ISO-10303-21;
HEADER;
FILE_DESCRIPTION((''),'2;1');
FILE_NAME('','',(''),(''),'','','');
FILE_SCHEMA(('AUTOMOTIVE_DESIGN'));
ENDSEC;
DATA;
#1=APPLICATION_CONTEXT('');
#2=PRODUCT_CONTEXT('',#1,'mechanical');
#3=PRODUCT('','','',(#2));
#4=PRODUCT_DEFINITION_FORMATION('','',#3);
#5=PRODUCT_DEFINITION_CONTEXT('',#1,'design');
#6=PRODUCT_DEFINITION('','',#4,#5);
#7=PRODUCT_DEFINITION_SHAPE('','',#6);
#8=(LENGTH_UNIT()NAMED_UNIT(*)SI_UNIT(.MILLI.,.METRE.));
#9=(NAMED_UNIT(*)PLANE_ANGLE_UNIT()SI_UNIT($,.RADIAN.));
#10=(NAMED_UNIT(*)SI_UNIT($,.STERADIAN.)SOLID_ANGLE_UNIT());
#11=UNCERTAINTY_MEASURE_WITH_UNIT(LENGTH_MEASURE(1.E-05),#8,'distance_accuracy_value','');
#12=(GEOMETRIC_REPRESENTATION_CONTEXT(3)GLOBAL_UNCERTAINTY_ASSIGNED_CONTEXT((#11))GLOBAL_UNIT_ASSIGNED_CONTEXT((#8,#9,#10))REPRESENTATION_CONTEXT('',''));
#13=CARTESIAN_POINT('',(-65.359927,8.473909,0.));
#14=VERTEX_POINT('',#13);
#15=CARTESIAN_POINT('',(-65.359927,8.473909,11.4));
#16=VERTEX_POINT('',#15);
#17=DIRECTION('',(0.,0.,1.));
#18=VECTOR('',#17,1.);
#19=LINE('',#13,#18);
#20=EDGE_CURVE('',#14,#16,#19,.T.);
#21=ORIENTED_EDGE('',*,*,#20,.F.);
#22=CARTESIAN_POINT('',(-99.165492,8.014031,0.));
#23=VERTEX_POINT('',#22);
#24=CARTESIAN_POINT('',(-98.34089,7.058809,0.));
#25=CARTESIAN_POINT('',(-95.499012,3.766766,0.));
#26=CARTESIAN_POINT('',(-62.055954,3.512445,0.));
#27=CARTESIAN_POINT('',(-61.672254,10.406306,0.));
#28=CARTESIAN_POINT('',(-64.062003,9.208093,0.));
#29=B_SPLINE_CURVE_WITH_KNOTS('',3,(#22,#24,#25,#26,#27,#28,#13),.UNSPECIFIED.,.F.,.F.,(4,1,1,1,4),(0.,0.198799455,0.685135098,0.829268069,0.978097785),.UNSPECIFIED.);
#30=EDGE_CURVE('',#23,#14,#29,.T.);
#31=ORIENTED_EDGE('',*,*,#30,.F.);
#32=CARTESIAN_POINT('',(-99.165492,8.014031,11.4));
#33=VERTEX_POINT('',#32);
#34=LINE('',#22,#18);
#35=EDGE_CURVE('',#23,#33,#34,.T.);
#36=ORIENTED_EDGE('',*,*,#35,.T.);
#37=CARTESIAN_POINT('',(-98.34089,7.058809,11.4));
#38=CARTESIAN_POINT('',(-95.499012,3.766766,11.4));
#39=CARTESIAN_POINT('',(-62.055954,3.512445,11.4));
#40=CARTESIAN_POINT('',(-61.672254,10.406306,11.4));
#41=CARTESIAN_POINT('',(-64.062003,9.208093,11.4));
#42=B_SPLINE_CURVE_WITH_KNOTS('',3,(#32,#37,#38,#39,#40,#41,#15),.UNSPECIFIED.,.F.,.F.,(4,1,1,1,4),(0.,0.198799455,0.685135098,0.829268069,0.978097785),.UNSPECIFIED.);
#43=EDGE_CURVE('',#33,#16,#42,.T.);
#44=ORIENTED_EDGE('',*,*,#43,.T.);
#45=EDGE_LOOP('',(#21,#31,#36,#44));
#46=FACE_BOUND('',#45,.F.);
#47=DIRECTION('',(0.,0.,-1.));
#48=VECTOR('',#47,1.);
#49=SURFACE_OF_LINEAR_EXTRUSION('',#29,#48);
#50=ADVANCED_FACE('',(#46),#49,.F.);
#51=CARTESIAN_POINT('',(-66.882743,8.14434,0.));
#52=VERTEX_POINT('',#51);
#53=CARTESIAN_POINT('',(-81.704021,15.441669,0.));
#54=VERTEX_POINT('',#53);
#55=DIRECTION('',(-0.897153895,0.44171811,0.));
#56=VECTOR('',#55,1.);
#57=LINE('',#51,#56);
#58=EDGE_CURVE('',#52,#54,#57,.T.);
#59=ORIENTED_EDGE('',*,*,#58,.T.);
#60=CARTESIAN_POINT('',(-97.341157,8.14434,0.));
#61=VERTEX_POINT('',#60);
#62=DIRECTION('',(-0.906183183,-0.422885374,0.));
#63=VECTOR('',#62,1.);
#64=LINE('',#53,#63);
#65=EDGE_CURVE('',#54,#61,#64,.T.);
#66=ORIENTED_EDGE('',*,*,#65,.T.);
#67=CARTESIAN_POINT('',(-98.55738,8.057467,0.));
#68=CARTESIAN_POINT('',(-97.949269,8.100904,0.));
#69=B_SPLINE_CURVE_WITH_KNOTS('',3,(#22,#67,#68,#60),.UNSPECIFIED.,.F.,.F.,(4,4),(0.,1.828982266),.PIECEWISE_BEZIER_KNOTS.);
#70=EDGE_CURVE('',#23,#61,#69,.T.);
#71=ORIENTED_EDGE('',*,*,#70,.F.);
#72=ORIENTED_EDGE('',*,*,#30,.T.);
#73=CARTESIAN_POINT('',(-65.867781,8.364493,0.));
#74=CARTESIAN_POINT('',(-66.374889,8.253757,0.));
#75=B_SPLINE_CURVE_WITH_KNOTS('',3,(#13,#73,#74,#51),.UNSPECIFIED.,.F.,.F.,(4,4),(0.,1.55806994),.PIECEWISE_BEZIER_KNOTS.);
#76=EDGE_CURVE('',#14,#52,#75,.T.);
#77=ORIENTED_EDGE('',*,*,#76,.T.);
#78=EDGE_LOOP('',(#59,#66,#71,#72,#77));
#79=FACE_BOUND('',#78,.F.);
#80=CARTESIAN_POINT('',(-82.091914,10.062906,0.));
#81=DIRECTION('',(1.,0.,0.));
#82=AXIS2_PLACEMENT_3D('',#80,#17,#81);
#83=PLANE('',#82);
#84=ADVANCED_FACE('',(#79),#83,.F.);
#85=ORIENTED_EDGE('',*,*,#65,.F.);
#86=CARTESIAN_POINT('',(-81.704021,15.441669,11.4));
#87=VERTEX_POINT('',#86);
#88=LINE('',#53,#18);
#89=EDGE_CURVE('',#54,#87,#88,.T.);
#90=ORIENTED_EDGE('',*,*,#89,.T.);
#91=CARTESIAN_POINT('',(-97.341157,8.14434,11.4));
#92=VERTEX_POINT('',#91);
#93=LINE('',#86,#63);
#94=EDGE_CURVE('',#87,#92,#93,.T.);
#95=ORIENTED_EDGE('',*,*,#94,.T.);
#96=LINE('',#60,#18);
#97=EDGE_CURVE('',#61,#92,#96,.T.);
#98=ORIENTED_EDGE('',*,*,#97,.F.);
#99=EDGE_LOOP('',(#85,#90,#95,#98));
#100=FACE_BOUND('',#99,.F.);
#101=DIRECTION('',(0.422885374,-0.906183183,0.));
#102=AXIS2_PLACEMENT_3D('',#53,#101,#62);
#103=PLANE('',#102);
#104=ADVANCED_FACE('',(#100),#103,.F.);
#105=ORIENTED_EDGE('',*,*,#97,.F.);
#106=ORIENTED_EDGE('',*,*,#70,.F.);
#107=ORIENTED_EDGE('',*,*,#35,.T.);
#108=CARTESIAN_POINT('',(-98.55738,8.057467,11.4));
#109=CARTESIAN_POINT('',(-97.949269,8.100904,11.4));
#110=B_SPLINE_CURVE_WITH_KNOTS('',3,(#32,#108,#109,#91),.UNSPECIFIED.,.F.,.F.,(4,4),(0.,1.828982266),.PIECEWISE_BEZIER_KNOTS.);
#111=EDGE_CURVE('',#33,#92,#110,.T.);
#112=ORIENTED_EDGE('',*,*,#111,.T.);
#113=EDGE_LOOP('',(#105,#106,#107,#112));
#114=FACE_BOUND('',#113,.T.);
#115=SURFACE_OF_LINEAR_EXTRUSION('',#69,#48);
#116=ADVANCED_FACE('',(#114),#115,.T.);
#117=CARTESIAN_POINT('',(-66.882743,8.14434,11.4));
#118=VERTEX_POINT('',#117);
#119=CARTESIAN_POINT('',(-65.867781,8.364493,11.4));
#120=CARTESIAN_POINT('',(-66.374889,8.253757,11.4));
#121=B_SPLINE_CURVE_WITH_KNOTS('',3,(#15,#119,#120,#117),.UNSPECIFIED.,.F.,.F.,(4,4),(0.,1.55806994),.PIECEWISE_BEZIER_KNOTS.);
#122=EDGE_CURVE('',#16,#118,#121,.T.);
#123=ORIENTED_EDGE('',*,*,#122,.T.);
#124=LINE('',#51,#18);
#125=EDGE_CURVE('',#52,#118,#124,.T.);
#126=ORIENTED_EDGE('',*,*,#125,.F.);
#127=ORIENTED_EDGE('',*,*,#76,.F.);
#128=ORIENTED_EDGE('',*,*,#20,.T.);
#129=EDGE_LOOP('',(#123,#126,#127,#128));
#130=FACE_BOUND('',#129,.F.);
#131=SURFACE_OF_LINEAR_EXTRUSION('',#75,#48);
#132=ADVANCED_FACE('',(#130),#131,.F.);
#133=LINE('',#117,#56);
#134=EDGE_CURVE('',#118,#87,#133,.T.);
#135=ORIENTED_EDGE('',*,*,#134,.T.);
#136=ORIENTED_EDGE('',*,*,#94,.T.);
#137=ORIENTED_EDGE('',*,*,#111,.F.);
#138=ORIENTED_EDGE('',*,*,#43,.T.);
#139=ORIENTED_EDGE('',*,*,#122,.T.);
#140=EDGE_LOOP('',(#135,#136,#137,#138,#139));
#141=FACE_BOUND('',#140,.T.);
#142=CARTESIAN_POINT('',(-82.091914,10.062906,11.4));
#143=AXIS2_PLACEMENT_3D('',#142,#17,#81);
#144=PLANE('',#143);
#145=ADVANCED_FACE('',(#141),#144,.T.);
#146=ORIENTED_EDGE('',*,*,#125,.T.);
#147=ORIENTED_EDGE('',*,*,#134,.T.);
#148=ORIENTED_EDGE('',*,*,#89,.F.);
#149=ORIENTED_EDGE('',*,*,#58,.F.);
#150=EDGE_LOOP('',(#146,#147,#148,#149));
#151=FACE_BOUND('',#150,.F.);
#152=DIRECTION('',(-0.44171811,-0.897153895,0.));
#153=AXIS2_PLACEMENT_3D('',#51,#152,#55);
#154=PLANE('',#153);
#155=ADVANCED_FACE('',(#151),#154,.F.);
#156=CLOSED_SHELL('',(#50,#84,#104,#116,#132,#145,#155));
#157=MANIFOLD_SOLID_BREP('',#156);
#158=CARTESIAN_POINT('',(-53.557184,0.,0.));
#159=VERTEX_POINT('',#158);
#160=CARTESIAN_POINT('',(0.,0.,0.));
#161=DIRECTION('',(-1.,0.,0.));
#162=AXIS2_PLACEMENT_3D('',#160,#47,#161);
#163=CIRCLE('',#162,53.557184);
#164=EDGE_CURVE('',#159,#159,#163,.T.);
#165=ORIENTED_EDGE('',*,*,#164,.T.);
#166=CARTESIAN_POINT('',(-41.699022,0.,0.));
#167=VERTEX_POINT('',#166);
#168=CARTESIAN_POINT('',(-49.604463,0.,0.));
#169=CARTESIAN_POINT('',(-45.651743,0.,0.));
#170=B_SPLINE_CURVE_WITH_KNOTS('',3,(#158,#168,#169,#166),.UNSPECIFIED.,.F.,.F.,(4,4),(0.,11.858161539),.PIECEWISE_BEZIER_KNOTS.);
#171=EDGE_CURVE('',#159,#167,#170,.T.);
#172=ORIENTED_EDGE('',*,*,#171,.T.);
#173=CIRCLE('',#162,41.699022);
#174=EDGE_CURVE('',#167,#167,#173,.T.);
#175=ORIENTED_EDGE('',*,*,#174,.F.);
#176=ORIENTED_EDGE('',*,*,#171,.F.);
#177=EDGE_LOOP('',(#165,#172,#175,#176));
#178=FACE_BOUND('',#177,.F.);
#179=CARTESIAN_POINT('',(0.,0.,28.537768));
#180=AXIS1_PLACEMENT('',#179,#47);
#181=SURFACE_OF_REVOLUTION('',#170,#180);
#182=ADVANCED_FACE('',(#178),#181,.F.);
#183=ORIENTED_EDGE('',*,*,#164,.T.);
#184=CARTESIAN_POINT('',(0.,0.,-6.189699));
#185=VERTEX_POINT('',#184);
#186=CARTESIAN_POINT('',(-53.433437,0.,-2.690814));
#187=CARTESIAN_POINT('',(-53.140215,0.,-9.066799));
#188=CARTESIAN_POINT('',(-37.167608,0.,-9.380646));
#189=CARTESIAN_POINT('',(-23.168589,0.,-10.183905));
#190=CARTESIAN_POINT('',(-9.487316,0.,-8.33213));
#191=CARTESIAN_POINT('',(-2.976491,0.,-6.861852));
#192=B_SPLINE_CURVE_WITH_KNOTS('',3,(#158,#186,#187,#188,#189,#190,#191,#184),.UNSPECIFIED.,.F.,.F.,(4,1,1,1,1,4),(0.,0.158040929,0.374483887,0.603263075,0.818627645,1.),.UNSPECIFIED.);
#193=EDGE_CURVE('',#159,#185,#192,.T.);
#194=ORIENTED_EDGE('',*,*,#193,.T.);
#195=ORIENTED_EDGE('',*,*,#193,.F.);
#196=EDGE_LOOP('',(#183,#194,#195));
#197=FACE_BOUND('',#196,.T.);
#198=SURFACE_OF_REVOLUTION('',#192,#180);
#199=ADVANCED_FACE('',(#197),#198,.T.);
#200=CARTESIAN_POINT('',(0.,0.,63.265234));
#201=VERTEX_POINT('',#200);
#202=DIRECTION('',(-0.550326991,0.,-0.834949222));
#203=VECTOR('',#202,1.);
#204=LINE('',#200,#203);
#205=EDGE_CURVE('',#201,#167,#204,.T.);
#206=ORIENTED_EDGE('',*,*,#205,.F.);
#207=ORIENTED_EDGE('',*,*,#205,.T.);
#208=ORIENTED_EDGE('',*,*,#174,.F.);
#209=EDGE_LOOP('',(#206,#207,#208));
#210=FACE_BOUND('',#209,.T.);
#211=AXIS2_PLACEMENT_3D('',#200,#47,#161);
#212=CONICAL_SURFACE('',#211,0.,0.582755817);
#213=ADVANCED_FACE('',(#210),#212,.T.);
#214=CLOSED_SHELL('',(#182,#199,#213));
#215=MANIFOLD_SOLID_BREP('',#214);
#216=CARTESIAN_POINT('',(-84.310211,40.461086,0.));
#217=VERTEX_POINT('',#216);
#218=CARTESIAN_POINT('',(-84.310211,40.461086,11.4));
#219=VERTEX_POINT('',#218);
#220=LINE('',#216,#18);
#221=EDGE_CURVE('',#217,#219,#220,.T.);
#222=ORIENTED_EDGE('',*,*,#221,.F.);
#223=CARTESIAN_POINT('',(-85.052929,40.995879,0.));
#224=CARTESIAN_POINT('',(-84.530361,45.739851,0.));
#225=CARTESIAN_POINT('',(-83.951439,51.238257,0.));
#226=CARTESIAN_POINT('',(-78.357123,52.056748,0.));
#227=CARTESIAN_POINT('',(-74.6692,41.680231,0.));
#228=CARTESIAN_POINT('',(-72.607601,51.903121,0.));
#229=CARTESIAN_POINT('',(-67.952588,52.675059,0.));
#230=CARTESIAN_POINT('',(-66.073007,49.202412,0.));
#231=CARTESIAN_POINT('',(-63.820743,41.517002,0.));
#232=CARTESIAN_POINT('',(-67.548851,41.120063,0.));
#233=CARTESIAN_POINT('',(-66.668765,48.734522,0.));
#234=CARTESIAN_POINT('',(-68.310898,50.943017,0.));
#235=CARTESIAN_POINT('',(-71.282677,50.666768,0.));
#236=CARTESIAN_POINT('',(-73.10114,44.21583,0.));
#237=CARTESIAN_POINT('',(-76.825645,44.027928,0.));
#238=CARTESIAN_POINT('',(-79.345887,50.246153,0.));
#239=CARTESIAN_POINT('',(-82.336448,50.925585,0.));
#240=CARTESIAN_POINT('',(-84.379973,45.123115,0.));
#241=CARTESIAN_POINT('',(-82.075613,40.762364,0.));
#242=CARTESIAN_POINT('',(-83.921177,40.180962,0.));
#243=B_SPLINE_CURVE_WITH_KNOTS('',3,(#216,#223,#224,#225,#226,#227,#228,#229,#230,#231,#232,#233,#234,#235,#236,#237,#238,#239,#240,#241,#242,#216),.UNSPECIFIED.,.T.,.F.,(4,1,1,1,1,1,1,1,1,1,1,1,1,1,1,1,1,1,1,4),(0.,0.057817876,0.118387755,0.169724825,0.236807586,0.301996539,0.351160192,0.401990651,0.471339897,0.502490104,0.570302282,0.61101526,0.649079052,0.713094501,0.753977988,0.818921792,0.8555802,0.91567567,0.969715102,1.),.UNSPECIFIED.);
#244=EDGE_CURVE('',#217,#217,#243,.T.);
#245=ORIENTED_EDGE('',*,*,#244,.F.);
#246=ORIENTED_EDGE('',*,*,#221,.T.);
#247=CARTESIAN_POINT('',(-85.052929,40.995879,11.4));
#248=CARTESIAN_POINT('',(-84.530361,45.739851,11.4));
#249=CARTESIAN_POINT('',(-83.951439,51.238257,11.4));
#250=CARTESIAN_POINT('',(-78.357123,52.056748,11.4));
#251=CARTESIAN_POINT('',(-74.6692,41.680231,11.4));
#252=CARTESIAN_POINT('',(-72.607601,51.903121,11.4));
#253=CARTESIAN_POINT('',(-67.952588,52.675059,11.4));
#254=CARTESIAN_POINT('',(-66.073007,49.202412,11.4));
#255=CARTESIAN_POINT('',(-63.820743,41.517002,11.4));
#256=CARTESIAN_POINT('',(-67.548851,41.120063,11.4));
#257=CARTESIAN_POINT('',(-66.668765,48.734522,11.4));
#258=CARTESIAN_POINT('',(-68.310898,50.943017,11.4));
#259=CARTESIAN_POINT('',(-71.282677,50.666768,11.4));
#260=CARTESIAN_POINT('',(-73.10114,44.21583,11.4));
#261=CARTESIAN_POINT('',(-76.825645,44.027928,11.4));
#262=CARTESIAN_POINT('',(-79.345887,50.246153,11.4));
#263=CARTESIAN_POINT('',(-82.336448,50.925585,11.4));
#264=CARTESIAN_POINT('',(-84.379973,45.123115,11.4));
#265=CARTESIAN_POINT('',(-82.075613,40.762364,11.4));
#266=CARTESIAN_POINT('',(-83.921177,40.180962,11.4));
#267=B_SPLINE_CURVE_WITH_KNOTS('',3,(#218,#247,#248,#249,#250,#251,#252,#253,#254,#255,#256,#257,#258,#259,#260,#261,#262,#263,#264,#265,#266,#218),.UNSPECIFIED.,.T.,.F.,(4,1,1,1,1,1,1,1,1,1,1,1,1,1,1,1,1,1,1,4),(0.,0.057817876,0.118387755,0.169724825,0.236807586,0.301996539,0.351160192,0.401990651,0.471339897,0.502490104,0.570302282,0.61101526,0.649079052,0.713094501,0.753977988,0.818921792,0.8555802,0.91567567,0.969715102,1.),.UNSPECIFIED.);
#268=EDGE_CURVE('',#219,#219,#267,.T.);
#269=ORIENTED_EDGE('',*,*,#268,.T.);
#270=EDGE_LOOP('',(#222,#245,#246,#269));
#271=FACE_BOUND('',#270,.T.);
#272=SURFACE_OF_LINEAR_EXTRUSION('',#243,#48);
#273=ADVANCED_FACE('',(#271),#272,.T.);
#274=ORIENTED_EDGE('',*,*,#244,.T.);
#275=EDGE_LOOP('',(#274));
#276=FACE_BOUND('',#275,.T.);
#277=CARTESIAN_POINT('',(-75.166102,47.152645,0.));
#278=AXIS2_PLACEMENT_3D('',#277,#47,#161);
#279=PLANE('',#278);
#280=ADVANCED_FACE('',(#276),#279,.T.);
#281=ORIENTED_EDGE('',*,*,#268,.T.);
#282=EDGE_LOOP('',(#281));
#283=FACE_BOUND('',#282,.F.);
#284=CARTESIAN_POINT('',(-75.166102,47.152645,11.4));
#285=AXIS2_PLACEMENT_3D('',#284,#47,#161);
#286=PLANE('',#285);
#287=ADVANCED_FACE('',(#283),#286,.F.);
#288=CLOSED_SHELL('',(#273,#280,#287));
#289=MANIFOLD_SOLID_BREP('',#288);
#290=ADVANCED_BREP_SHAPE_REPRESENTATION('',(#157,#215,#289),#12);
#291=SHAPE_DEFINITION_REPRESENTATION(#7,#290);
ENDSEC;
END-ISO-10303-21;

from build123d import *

# Parameters (mm, degrees)
F3_DEPTH = 11.4


with BuildPart() as f1:
    # F0 (on Front) → F1 (revolve)
    with BuildSketch(Plane.XZ):
        with BuildLine():
            Line((0, 63.2652342319), (-41.6990220547, 0))
            add(Edge.make_bspline(
                [(-53.5571835935, 0), (-49.6044630806, 0), (-45.6517425676, 0), (-41.6990220547, 0)],
                knots=[0, 0, 0, 0, 11.8581615388, 11.8581615388, 11.8581615388, 11.8581615388], degree=3))
            add(Edge.make_bspline(
                [(-53.5571835935, 0), (-53.4334371926, -2.6908141816), (-53.1402154716, -9.066798934), (-37.1676080808, -9.3806462258), (-23.1685894488, -10.1839054648), (-9.4873160883, -8.3321297601), (-2.9764906365, -6.8618515729), (0, -6.1896988191)],
                knots=[0, 0, 0, 0, 0.1580409291, 0.374483887, 0.6032630747, 0.8186276453, 1, 1, 1, 1], degree=3))
            Line((0, -6.1896988191), (0, 63.2652342319))
        make_face()
    revolve(axis=Axis((0, 0, 28.5377677064), (0, 0, -1)))


with BuildPart() as f3:
    # F2 (on Top) → F3 (new body)
    with BuildSketch(Plane.XY):
        with BuildLine():
            add(Edge.make_bspline(
                [(-84.3102112412, 40.4610857368), (-85.0529291227, 40.9958786506), (-84.5303607917, 45.7398508686), (-83.9514385702, 51.2382567246), (-78.3571226382, 52.0567477514), (-74.6691999848, 41.6802312333), (-72.6076012928, 51.9031212278), (-67.9525880261, 52.6750588018), (-66.0730074411, 49.2024115409), (-63.8207430634, 41.5170017131), (-67.5488511999, 41.120062853), (-66.6687651288, 48.7345215145), (-68.3108975024, 50.94301662), (-71.2826769252, 50.666767686), (-73.1011401395, 44.2158299469), (-76.825645086, 44.0279276792), (-79.3458870987, 50.2461534997), (-82.3364477721, 50.9255849083), (-84.3799730162, 45.1231148531), (-82.075612545, 40.7623636732), (-83.9211769694, 40.1809621838), (-84.3102112412, 40.4610857368)],
                knots=[0, 0, 0, 0, 0.0578178757, 0.1183877548, 0.1697248251, 0.2368075858, 0.3019965385, 0.3511601922, 0.4019906506, 0.4713398966, 0.5024901043, 0.5703022821, 0.6110152595, 0.6490790515, 0.7130945011, 0.7539779882, 0.8189217919, 0.8555802004, 0.9156756697, 0.9697151021, 1, 1, 1, 1], degree=3))
        make_face()
    extrude(amount=F3_DEPTH)


with BuildPart() as f3b:
    # F2 (on Top) → F3, piece 2 (new body)
    with BuildSketch(Plane.XY):
        Polygon((-66.8827426476, 8.1443404779), (-81.7040205002, 15.4416691512), (-97.341157496, 8.1443404779), align=None)
        with BuildLine():
            Line((-66.8827426476, 8.1443404779), (-97.341157496, 8.1443404779))
            add(Edge.make_bspline(
                [(-99.1654917598, 8.0140307546), (-98.5573803385, 8.057467329), (-97.9492689172, 8.1009039034), (-97.341157496, 8.1443404779)],
                knots=[0, 0, 0, 0, 1.8289822662, 1.8289822662, 1.8289822662, 1.8289822662], degree=3))
            add(Edge.make_bspline(
                [(-99.1654917598, 8.0140307546), (-98.3408898529, 7.0588085926), (-95.4990123071, 3.7667662258), (-62.0559544674, 3.5124450192), (-61.6722541601, 10.4063057996), (-64.0620025475, 9.2080926787), (-65.3599273192, 8.4739090018)],
                knots=[0, 0, 0, 0, 0.1987994554, 0.6851350983, 0.8292680694, 0.9780977849, 0.9780977849, 0.9780977849, 0.9780977849], degree=3))
            add(Edge.make_bspline(
                [(-65.3599273192, 8.4739090018), (-65.8677813455, 8.3644928742), (-66.3748886213, 8.2537566055), (-66.8827426476, 8.1443404779)],
                knots=[0, 0, 0, 0, 1.5580699396, 1.5580699396, 1.5580699396, 1.5580699396], degree=3))
        make_face()
    extrude(amount=F3_DEPTH)


solid = Compound([f1.part, f3.part, f3b.part])
